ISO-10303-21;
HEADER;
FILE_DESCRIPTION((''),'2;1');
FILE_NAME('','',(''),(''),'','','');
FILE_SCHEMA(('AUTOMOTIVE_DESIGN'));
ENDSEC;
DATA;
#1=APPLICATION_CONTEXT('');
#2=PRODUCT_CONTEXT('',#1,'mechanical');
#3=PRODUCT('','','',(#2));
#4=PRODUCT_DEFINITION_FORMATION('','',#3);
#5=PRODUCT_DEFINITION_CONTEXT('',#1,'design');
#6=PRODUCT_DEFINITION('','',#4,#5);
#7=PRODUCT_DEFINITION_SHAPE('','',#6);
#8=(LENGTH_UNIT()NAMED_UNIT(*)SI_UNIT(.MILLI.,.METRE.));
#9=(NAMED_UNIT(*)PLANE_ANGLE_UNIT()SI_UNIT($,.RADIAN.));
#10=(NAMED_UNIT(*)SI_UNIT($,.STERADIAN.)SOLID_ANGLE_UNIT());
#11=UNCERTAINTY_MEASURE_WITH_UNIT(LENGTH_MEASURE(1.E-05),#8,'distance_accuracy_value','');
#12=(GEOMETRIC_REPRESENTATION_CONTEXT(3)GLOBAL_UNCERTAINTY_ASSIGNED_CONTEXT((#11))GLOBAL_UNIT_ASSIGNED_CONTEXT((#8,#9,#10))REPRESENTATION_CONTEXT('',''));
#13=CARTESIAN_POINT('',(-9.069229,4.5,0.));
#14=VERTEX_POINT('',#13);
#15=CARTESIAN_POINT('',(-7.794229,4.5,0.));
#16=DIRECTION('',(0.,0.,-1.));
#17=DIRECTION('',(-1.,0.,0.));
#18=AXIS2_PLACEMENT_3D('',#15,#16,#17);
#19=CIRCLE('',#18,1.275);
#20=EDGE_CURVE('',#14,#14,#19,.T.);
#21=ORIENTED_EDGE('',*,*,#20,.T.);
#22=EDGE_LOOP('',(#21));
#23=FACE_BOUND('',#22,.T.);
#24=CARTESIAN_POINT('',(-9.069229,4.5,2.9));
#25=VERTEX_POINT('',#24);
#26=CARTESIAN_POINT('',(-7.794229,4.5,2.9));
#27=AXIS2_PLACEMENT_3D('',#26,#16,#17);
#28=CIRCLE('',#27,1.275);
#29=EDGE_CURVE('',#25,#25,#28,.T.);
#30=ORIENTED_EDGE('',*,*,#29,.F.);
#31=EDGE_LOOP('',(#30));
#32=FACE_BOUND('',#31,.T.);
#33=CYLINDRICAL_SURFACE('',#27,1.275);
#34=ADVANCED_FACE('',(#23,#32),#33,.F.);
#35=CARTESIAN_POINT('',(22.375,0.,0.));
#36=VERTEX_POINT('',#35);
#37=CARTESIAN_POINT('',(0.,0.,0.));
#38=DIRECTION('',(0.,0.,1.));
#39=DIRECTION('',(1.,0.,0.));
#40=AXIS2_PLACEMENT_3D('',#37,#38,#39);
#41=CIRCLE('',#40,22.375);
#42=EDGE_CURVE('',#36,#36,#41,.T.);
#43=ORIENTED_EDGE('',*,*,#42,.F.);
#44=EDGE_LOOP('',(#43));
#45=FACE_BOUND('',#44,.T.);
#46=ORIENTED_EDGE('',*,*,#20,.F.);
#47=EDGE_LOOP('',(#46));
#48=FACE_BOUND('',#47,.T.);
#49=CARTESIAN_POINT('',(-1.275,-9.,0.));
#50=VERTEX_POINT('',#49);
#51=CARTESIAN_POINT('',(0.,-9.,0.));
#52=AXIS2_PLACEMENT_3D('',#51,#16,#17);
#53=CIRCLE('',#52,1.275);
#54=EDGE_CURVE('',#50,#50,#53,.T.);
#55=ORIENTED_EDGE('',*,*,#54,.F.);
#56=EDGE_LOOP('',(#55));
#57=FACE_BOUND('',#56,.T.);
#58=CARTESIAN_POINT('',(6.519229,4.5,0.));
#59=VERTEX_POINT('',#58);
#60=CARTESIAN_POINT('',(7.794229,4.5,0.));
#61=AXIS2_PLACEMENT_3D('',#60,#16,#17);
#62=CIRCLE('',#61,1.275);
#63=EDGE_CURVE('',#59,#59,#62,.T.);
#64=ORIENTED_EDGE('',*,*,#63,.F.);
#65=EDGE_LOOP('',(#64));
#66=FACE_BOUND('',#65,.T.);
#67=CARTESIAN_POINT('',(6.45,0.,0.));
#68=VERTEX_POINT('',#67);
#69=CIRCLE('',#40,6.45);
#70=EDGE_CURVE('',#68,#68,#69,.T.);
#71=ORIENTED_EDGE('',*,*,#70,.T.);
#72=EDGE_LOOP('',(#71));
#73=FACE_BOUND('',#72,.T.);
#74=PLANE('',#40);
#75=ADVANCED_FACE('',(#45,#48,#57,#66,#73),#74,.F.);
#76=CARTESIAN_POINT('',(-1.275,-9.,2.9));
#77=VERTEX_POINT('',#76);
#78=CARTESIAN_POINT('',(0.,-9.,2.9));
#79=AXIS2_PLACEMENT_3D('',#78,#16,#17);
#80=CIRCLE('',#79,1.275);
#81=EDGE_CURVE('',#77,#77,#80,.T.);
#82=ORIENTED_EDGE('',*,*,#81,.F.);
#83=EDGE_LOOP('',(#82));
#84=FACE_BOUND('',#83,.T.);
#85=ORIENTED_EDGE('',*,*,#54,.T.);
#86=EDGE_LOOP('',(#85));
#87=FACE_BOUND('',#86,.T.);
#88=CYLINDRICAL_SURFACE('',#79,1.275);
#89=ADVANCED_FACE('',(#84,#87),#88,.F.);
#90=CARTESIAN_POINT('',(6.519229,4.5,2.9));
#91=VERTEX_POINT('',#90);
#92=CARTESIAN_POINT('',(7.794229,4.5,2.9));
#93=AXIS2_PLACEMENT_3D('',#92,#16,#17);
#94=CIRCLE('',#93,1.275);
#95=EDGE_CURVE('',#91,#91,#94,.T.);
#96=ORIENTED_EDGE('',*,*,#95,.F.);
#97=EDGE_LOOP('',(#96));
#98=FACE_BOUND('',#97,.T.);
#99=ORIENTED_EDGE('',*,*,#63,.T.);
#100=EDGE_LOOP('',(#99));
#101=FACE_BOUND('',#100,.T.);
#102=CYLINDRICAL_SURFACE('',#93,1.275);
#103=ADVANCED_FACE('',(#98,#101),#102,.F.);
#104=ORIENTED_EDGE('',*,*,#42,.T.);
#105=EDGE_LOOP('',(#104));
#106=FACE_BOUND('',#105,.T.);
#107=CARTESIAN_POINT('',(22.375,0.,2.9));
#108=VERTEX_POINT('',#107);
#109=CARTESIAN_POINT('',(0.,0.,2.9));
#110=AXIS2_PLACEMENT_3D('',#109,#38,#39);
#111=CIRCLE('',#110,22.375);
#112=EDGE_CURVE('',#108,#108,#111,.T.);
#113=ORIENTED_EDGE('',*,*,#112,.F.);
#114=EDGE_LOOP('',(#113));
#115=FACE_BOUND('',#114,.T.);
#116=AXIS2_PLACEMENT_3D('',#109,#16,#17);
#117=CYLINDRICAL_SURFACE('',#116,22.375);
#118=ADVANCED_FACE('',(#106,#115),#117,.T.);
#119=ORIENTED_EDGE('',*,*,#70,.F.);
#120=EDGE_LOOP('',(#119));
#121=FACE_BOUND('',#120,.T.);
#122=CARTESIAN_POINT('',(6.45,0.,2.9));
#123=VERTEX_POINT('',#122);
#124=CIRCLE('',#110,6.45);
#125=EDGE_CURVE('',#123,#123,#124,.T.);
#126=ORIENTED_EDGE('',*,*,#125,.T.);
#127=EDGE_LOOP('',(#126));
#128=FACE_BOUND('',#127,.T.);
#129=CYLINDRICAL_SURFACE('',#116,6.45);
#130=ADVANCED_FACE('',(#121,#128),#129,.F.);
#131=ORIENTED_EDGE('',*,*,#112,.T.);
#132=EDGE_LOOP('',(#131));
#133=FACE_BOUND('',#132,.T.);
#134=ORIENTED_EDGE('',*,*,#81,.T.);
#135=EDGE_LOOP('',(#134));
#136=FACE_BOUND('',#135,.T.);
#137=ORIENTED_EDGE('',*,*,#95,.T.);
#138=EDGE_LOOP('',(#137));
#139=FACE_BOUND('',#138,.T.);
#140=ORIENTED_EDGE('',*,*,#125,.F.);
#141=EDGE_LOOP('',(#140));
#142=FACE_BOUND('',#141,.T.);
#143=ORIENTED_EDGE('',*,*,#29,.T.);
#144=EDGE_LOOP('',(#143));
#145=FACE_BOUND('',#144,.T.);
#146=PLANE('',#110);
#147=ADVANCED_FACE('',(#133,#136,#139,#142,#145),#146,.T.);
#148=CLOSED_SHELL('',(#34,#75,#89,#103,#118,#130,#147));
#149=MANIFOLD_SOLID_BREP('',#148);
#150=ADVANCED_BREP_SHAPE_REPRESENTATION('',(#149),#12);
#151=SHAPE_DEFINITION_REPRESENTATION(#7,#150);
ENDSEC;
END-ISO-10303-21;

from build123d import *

# Parameters (mm, degrees)
SKETCH1_R           = 22.375
SKETCH1_R_2         = 6.45
BOSS_EXTRUDE1_DEPTH = 2.9
SKETCH2_R           = 1.275
CUT_EXTRUDE1_DEPTH  = 32.775639254


with BuildPart() as part:
    # Sketch1 → Boss-Extrude1 (new body)
    with BuildSketch(Plane.XY):
        Circle(SKETCH1_R)
        Circle(SKETCH1_R_2, mode=Mode.SUBTRACT)
    extrude(amount=BOSS_EXTRUDE1_DEPTH)

    # Sketch2 → Cut-Extrude1 (cut, through all)
    with BuildSketch(Plane(origin=(0, 0, 0), x_dir=(-1, 0, 0), z_dir=(0, 0, -1))):
        with Locations((7.794228634, 4.5)):
            Circle(SKETCH2_R)
        with Locations((-7.794228634, 4.5)):
            Circle(SKETCH2_R)
        with Locations((0, -9)):
            Circle(SKETCH2_R)
    extrude(amount=-CUT_EXTRUDE1_DEPTH, mode=Mode.SUBTRACT)


solid = part.part
